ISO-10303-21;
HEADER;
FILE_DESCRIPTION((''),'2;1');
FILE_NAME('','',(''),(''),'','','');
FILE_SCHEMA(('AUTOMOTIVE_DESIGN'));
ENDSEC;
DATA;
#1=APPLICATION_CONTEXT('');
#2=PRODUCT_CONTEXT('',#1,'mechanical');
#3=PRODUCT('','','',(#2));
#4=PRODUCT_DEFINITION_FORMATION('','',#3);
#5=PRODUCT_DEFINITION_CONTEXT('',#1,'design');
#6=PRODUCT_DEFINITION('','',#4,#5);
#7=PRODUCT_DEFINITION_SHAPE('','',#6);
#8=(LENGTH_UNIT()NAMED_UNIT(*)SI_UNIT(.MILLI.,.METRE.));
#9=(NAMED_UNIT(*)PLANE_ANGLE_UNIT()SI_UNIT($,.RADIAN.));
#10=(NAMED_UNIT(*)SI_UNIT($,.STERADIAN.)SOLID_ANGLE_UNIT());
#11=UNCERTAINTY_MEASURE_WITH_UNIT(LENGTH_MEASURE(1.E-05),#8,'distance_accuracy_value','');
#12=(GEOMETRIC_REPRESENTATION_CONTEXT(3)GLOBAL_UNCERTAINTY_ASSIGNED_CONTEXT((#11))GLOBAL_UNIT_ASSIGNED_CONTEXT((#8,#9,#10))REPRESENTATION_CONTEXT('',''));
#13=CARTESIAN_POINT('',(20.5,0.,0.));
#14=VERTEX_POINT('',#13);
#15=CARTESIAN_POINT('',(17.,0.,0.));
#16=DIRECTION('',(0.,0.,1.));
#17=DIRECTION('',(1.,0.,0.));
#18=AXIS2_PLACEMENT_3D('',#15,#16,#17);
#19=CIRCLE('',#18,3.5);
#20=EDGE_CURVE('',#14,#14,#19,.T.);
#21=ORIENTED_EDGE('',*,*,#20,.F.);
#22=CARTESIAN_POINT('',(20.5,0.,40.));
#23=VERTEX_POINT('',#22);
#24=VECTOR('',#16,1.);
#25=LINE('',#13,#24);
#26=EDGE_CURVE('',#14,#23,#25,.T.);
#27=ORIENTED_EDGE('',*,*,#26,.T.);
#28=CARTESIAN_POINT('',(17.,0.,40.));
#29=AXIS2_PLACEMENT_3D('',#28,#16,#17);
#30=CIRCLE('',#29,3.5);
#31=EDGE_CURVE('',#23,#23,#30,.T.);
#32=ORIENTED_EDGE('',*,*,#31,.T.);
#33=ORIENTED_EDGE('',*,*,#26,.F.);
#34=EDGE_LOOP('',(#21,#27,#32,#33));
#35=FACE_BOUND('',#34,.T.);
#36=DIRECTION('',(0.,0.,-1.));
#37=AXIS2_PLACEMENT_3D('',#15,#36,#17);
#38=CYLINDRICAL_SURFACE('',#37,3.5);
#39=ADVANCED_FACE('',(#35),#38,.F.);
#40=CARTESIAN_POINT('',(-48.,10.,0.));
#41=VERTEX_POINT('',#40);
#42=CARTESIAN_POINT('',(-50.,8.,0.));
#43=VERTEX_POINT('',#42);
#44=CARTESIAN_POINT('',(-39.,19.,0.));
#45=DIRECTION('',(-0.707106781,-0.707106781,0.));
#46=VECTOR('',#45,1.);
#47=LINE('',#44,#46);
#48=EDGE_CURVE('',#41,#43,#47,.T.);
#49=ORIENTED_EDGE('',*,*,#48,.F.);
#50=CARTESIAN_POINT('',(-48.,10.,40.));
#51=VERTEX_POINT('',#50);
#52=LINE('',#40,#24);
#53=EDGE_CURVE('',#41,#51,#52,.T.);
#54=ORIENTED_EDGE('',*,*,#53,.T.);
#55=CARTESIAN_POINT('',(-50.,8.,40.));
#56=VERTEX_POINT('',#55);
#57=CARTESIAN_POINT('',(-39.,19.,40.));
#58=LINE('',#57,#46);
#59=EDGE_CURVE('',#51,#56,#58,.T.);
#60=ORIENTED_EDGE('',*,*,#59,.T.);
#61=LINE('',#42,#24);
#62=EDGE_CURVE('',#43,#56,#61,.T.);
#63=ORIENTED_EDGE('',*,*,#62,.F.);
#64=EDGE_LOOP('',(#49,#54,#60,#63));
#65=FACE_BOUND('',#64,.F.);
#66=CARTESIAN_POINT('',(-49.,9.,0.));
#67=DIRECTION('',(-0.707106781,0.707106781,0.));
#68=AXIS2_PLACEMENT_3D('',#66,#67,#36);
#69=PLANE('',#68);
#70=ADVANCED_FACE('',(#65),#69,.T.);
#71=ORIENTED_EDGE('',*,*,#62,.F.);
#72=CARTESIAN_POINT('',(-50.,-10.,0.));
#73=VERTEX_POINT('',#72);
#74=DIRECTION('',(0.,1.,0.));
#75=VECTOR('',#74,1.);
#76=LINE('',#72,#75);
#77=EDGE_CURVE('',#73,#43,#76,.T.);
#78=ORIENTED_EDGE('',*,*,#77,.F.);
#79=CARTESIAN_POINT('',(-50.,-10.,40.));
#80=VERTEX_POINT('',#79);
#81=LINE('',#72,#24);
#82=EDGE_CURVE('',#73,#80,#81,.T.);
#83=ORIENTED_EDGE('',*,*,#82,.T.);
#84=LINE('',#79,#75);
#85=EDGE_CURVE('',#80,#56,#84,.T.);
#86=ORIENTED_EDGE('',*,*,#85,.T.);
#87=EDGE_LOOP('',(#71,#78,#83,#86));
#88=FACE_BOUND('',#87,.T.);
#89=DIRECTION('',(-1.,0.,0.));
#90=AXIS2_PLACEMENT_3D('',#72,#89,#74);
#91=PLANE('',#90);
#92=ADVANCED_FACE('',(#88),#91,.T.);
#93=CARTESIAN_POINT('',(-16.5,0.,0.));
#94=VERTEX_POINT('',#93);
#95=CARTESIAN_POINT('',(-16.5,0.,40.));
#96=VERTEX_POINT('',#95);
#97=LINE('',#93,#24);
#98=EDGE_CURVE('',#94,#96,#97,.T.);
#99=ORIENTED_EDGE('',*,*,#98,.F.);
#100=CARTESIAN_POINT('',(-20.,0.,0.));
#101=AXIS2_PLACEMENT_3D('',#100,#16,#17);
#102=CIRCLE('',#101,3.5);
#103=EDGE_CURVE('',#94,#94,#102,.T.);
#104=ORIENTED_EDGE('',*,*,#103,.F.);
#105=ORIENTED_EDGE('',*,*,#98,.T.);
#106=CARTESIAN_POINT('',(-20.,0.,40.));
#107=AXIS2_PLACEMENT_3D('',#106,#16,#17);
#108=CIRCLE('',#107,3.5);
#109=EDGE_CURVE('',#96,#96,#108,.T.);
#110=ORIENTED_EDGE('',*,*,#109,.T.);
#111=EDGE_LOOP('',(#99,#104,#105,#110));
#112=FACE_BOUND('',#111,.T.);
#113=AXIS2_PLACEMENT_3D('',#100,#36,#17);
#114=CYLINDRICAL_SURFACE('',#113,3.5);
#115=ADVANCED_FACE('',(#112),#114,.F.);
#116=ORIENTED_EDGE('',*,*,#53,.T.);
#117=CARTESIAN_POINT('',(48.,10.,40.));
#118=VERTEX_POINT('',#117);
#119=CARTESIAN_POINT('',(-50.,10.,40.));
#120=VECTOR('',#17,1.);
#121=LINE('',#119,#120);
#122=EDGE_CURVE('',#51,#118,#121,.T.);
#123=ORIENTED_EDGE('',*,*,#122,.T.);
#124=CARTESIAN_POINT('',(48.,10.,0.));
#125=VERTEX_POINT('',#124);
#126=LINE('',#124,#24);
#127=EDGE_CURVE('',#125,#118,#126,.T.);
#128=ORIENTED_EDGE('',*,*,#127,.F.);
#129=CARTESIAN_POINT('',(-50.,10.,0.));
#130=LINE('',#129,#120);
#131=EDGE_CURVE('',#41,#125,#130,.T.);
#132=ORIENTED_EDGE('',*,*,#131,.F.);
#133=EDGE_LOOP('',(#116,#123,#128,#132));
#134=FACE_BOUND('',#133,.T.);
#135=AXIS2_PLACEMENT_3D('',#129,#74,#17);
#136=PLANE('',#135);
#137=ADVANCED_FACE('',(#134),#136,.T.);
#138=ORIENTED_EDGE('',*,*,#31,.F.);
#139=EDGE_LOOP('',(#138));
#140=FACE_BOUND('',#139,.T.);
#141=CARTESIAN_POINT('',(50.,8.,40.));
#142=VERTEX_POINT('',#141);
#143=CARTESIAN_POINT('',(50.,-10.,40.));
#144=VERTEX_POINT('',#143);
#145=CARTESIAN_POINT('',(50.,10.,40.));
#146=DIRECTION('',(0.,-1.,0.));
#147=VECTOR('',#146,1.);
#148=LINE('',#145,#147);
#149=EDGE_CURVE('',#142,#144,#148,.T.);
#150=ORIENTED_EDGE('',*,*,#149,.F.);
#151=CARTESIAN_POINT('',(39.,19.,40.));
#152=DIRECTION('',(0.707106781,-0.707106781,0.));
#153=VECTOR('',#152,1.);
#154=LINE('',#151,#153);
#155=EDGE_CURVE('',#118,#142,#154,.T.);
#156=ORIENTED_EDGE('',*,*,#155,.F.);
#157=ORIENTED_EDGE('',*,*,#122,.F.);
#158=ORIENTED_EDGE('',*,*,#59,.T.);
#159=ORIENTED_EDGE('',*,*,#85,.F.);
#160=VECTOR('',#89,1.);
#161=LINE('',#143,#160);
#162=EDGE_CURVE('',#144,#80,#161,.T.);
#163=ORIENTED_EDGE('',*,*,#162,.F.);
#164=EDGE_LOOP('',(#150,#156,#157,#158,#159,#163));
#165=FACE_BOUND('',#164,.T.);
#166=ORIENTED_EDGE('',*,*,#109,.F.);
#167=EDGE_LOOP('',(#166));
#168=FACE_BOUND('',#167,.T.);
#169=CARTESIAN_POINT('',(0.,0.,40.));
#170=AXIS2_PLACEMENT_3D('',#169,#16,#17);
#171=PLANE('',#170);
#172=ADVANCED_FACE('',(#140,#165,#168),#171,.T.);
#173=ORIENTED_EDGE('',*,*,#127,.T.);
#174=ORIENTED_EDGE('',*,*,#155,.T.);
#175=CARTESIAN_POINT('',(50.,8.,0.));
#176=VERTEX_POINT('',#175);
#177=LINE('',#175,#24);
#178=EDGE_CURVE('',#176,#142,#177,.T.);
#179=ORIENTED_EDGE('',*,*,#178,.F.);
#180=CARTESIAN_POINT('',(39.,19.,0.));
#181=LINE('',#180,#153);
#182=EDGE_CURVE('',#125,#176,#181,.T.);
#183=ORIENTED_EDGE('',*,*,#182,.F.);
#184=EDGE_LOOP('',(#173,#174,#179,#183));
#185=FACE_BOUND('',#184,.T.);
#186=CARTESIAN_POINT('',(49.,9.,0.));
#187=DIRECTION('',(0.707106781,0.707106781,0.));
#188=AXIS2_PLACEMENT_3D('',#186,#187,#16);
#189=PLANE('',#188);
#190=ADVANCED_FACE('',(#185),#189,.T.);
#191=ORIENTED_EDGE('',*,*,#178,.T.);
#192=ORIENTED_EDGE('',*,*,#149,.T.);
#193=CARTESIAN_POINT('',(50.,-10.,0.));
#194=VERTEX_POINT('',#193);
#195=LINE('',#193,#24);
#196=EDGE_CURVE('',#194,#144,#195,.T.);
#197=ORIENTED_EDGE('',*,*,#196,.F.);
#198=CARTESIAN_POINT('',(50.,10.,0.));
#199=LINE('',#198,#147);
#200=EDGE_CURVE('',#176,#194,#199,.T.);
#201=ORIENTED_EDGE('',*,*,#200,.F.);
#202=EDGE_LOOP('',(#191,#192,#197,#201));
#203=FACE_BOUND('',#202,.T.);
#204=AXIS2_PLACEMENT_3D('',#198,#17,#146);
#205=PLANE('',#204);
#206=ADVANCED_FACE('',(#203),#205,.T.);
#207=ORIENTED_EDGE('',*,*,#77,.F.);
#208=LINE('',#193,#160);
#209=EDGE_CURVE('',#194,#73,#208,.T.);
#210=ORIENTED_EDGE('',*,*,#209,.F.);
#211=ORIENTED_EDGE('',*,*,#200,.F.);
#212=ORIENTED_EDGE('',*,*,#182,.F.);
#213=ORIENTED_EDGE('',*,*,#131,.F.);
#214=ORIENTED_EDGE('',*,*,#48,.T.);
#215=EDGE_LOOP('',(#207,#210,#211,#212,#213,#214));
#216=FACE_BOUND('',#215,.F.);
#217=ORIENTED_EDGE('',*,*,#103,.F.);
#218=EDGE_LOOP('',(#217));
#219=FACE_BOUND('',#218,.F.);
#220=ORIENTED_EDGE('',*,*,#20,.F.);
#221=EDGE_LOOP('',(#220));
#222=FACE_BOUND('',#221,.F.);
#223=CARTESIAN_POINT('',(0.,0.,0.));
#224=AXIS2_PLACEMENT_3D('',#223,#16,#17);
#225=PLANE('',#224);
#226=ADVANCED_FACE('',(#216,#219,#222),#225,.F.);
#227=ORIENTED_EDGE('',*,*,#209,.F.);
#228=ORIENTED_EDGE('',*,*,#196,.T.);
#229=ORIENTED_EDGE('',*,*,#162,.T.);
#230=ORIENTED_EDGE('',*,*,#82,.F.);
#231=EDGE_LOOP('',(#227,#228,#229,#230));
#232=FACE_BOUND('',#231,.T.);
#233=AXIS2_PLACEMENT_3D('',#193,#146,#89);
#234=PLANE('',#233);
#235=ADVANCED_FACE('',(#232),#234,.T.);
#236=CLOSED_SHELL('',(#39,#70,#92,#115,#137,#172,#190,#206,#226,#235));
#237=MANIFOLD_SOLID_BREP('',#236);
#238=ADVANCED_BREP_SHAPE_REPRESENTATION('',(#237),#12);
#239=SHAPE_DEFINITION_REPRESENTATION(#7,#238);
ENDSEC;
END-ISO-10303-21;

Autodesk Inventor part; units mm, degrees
ref_plane "YZ Plane" through (0, 0, 0) normal (1, 0, 0) x (0, 1, 0)
ref_plane "XZ Plane" through (0, 0, 0) normal (0, 1, 0) x (-1, 0, 0)
ref_plane "XY Plane" through (0, 0, 0) normal (0, 0, 1) x (1, 0, 0)
sketch "Sketch1" plane through (0, 0, 0) normal (0, 0, 1) x (1, 0, 0)
  line L0 (-50, 10) -> (50, 10)
  line L1 (50, 10) -> (50, -10)
  line L2 (50, -10) -> (-50, -10)
  line L3 (-50, -10) -> (-50, 10)
  circle A0 centre (-20, 0) radius 3.5
  circle A1 centre (17, 0) radius 3.5
  point P0 (0, 0)
  point P1 (0, 10)
  point P2 (-50, 0)
  dimension "d0" = 20
  dimension "d1" = 100
  dimension "d2" = 10
  dimension "d3" = 30
  dimension "d4" = 33
  dimension "d5" = 7
  dimension "d6" = 7
extrude "Extrusion1" add sketch "Sketch1" along normal blind 40
chamfer "Chamfer1" distance 2 angle 45 2 edges at (-50, 10, 20) (50, 10, 20)
properties part number "10-06-013 Suport cutie"
